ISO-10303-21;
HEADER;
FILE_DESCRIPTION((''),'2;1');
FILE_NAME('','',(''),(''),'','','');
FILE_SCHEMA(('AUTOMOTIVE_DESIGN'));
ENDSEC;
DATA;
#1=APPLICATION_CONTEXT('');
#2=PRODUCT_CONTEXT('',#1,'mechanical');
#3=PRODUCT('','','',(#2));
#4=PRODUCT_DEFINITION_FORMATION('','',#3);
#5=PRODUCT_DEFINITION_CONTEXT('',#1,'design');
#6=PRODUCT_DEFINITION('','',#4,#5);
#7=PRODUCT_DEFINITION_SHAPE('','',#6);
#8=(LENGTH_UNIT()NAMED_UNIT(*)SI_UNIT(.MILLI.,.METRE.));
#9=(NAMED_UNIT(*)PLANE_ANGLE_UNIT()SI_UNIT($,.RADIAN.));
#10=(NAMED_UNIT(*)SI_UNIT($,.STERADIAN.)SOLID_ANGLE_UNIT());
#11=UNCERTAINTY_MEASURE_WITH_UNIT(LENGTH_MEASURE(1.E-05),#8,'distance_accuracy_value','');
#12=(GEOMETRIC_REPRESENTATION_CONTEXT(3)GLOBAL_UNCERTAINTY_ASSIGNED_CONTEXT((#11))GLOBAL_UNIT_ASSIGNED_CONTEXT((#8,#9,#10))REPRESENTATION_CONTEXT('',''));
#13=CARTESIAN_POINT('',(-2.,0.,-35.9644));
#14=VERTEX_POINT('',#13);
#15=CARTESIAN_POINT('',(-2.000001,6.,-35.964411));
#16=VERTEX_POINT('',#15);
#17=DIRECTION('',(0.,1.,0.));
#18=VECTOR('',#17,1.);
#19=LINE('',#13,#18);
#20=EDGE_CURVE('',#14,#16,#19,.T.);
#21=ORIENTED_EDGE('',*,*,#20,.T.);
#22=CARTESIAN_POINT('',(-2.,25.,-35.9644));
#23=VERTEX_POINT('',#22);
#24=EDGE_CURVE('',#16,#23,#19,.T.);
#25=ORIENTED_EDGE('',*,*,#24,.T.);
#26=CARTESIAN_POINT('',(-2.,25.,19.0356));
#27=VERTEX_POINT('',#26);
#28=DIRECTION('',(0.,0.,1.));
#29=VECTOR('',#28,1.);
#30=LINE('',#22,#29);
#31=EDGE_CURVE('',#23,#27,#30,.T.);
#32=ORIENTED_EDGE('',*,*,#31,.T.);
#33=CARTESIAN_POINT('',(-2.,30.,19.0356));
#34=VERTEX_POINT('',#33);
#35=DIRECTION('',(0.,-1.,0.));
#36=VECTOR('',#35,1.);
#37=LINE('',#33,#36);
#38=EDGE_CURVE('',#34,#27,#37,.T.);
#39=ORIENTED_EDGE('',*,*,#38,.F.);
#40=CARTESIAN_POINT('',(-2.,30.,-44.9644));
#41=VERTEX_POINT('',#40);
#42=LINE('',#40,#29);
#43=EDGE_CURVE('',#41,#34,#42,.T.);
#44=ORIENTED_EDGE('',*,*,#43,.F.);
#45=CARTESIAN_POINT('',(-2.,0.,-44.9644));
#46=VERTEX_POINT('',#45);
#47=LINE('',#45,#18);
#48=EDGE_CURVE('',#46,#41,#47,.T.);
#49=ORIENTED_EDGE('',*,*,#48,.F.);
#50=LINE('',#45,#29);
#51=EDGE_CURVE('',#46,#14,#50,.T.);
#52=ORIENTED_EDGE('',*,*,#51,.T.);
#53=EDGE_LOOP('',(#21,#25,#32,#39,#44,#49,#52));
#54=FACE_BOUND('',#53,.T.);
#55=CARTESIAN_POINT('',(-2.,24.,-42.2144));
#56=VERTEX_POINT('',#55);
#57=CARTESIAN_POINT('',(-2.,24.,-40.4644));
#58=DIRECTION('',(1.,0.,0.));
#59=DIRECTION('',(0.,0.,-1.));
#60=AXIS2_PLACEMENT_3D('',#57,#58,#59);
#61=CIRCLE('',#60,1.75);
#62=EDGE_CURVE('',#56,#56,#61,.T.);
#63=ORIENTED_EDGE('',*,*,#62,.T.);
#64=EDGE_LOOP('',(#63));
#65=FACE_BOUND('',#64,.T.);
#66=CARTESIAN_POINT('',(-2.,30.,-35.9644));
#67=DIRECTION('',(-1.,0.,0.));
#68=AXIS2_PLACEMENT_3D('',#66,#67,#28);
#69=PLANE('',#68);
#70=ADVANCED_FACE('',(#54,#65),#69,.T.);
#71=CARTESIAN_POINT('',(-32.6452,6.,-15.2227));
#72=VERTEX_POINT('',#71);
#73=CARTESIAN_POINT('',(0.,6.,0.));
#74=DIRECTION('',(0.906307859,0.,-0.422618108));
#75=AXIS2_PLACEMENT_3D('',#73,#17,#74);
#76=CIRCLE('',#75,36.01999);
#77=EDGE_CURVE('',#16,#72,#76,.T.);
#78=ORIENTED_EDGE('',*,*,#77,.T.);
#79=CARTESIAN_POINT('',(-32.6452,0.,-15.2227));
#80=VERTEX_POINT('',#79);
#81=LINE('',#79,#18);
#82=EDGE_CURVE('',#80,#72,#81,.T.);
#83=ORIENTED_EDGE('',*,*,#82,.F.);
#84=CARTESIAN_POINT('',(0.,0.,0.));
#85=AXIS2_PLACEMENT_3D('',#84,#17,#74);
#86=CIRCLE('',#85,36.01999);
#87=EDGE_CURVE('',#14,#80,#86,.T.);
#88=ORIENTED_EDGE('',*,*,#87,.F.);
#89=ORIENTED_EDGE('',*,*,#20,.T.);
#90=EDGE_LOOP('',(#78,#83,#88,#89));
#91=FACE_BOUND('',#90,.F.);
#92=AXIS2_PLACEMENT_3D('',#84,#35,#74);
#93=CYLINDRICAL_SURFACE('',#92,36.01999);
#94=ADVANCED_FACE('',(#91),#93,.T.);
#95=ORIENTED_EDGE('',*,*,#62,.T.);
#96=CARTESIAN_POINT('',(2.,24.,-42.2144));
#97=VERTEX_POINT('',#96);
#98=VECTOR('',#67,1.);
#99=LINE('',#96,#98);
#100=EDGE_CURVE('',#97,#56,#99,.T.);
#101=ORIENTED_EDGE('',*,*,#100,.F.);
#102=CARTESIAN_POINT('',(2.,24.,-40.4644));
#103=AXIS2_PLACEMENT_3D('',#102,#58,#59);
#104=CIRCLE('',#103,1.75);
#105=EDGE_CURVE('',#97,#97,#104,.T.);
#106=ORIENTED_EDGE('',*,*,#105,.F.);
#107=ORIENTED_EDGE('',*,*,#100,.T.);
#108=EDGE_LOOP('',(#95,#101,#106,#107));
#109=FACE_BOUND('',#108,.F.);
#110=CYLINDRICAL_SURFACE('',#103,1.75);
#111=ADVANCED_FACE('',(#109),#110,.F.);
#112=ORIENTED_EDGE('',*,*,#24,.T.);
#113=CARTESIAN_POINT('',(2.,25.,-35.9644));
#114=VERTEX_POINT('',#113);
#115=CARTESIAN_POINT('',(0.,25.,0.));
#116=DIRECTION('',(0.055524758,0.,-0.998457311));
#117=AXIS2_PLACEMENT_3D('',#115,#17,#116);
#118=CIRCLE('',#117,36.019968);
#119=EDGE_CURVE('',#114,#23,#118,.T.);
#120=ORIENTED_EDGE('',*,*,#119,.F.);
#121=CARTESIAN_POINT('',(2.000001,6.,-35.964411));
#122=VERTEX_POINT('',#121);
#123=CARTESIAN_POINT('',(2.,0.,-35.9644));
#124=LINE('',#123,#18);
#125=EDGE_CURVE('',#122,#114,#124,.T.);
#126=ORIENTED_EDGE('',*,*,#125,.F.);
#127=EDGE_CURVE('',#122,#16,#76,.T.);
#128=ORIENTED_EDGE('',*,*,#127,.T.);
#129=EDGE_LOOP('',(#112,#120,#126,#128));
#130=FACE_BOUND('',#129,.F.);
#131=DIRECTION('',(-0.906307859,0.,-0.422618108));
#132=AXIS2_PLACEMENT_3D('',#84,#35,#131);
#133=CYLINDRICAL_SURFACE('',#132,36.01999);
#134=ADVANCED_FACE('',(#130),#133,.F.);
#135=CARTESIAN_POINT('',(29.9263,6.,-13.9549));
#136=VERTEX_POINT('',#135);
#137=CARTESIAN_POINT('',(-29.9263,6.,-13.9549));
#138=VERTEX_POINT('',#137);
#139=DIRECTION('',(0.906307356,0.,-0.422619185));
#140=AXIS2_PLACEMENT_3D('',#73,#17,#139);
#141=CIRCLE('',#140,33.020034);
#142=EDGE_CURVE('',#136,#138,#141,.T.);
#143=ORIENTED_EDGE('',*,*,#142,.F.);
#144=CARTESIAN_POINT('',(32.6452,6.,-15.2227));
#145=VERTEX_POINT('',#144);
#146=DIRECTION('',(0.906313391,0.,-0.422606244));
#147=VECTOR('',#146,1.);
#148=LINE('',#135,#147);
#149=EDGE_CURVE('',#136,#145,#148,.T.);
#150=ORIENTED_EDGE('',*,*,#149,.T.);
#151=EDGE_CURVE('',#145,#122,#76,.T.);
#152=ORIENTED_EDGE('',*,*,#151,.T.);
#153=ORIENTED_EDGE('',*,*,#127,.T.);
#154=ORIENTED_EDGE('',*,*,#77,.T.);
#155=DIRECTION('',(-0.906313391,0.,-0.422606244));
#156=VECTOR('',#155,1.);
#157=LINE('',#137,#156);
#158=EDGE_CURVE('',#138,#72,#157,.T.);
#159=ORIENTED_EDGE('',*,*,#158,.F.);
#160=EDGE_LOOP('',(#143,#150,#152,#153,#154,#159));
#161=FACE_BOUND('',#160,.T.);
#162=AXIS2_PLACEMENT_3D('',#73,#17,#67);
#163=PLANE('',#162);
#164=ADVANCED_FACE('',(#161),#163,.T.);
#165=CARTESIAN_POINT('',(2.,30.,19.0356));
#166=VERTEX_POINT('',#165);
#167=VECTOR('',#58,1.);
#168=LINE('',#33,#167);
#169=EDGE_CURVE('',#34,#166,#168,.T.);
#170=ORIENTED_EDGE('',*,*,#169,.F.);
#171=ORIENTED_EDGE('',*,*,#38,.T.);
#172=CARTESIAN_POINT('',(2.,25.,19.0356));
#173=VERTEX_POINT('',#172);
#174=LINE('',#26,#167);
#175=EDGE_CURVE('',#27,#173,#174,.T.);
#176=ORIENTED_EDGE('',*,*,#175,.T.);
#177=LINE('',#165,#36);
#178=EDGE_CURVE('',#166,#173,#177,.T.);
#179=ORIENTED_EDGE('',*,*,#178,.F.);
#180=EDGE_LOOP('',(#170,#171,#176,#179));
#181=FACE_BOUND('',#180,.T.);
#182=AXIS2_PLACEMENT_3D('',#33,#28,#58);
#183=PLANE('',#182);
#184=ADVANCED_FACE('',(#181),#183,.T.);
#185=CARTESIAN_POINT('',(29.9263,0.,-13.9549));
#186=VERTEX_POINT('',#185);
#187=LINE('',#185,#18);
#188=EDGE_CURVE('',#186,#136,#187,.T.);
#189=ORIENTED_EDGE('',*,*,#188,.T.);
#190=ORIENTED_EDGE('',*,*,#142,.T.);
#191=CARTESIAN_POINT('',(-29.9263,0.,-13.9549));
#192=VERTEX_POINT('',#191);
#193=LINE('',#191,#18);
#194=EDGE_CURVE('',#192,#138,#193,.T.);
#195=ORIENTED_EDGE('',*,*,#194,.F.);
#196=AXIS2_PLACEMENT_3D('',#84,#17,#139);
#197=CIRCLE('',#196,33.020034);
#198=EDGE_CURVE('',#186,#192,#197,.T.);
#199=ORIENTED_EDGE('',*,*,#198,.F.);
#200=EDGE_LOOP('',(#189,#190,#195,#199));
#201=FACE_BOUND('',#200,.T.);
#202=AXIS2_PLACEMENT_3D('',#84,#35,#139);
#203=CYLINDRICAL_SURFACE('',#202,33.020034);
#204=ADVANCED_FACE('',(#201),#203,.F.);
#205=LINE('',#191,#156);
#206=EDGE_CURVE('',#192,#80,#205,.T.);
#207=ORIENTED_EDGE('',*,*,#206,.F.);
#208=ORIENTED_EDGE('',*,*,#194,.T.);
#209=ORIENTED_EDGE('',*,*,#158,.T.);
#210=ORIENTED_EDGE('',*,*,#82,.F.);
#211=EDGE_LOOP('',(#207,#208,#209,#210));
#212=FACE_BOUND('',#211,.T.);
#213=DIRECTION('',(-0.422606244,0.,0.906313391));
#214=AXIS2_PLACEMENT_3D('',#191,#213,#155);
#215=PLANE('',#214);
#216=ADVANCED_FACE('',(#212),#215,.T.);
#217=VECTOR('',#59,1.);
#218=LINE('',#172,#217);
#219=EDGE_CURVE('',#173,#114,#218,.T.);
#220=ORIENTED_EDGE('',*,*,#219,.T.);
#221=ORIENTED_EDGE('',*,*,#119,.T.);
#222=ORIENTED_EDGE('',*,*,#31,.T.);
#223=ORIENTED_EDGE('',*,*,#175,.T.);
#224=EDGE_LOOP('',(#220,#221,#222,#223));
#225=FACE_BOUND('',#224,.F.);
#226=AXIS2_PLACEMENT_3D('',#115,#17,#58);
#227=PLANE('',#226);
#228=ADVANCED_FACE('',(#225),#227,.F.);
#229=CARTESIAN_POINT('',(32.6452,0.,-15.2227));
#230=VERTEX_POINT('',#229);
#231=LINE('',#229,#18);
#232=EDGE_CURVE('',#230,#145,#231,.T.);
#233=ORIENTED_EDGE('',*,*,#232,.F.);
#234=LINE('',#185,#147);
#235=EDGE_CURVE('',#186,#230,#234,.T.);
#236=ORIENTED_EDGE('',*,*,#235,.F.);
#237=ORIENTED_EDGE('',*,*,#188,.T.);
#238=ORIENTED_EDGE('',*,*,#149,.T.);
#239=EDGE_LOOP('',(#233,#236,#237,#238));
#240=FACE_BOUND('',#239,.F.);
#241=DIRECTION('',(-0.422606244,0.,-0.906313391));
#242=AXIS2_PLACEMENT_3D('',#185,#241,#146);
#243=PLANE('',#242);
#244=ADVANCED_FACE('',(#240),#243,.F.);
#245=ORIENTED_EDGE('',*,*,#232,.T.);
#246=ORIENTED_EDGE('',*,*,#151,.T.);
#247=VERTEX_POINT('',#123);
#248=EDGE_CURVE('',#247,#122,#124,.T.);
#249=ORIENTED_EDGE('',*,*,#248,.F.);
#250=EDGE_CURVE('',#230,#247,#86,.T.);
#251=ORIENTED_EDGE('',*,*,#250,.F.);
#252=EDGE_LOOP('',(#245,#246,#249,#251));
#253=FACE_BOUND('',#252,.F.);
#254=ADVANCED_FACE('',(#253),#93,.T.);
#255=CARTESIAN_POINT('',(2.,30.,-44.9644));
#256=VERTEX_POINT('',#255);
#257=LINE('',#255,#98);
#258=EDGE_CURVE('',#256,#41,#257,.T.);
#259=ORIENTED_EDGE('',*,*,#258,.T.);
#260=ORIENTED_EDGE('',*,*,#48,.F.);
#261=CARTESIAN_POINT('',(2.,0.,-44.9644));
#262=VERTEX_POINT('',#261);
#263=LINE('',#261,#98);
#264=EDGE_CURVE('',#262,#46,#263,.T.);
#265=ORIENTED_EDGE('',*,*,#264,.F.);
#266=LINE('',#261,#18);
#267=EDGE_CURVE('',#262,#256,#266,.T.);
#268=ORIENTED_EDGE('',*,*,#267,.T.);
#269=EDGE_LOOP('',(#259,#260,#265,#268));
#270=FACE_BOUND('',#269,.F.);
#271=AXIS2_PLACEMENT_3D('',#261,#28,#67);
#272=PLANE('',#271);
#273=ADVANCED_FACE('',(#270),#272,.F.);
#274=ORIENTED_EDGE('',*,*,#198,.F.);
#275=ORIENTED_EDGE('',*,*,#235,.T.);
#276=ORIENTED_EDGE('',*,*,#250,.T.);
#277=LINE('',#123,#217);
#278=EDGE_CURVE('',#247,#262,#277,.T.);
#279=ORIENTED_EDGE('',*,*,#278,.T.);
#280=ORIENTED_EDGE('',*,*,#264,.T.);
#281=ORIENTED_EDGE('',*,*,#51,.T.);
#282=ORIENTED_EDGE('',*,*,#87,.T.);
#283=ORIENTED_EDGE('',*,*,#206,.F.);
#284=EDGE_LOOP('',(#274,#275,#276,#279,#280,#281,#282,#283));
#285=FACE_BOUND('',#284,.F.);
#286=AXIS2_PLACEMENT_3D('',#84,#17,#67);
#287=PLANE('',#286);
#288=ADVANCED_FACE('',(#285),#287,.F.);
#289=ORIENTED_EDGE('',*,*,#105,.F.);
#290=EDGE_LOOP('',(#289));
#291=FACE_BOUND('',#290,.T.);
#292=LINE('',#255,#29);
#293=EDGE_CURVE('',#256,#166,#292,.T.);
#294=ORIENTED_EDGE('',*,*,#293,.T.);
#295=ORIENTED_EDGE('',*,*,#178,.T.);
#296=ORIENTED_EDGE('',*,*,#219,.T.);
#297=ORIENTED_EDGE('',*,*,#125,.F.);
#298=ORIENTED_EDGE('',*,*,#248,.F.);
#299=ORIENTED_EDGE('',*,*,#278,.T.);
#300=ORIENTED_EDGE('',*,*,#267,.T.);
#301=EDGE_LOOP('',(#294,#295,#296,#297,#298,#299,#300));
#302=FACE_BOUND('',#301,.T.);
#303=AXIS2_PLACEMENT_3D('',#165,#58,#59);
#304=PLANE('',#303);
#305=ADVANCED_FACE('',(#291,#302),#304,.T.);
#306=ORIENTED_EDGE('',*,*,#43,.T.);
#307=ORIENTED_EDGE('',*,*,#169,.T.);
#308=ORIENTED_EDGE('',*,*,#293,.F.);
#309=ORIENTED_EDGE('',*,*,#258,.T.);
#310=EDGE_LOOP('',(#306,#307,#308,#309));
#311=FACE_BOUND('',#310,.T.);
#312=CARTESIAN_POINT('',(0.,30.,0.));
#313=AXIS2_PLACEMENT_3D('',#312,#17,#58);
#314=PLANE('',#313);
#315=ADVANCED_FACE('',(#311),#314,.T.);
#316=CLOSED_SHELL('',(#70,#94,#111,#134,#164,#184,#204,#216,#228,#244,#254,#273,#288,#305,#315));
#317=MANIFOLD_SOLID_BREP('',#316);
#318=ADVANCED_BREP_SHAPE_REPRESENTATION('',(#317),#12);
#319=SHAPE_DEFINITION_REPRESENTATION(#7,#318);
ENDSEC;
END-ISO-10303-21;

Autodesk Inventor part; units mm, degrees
ref_plane "YZ Plane" through (0, 0, 0) normal (1, 0, 0) x (0, 1, 0)
ref_plane "XZ Plane" through (0, 0, 0) normal (0, 1, 0) x (-1, 0, 0)
ref_plane "XY Plane" through (0, 0, 0) normal (0, 0, 1) x (1, 0, 0)
sketch "Sketch1" plane through (0, 0, 0) normal (0, 1, 0) x (-1, 0, 0)
  arc A0 (-29.9263, -13.9549) -> (29.9263, -13.9549) centre (0, 0) ccw
  arc A1 (-32.6452, -15.2227) -> (32.6452, -15.2227) centre (0, 0) ccw
  line L0 (54.2691, 0) -> (-55.7933, 0) construction
  line L1 (29.9263, -13.9549) -> (32.6452, -15.2227)
  line L2 (-29.9263, -13.9549) -> (-32.6452, -15.2227)
  dimension "d0" = 66.04
  dimension "d1" = 3
  dimension "d2" = 25
  dimension "d3" = 25
extrude "Extrusion1" add sketch "Sketch1" along normal blind 6
sketch "Sketch2" plane through (0, 0, 0) normal (0, -1, 0) x (1, 0, 0)
  arc A0 (-32.6452, -15.2227) -> (32.6452, -15.2227) centre (0, 0) ccw projected
  line L0 (2, -35.9644) -> (2, -44.9644)
  line L1 (2, -44.9644) -> (-2, -44.9644)
  line L2 (-2, -44.9644) -> (-2, -35.9644)
  dimension "d6" = 9
  dimension "d7" = 2
  dimension "d8" = 2
extrude "Extrusion2" add sketch "Sketch2" against normal blind 30
sketch "Sketch3" plane through (2, 0, -35.9644) normal (1, 0, 0) x (0, 0, -1)
  circle A0 centre (4.5, 24) radius 1.75
  line L0 (9, 0) -> (9, 30) projected
  line L1 (0, 30) -> (9, 30) projected
  line L2 (9, 0) -> (0, 0) projected
  point P0 (-35.9644, 0)
  dimension "d11" = 3.5
  dimension "d12" = 4.5
  dimension "d16" = 24
extrude "Extrusion3" cut sketch "Sketch3" against normal blind 26
sketch "Sketch5" plane through (0, 30, 0) normal (0, 1, 0) x (1, 0, 0)
  line L0 (-2, 44.9644) -> (-2, 35.9644) projected
  line L1 (-2, 35.9644) -> (-2, -19.0356)
  line L2 (-2, -19.0356) -> (2, -19.0356)
  line L3 (2, -19.0356) -> (2, 35.9644)
  arc A0 (2, 35.9644) -> (-2, 35.9644) centre (0, 0) ccw projected
  dimension "d22" = 55
extrude "Extrusion5" add sketch "Sketch5" against normal blind 5
sketch "Sketch6" plane through (2, 0, -35.9644) normal (1, 0, 0) x (0, 0, -1)
  point P0 (-35.9644, 0)
properties part number "_3DPrint"
